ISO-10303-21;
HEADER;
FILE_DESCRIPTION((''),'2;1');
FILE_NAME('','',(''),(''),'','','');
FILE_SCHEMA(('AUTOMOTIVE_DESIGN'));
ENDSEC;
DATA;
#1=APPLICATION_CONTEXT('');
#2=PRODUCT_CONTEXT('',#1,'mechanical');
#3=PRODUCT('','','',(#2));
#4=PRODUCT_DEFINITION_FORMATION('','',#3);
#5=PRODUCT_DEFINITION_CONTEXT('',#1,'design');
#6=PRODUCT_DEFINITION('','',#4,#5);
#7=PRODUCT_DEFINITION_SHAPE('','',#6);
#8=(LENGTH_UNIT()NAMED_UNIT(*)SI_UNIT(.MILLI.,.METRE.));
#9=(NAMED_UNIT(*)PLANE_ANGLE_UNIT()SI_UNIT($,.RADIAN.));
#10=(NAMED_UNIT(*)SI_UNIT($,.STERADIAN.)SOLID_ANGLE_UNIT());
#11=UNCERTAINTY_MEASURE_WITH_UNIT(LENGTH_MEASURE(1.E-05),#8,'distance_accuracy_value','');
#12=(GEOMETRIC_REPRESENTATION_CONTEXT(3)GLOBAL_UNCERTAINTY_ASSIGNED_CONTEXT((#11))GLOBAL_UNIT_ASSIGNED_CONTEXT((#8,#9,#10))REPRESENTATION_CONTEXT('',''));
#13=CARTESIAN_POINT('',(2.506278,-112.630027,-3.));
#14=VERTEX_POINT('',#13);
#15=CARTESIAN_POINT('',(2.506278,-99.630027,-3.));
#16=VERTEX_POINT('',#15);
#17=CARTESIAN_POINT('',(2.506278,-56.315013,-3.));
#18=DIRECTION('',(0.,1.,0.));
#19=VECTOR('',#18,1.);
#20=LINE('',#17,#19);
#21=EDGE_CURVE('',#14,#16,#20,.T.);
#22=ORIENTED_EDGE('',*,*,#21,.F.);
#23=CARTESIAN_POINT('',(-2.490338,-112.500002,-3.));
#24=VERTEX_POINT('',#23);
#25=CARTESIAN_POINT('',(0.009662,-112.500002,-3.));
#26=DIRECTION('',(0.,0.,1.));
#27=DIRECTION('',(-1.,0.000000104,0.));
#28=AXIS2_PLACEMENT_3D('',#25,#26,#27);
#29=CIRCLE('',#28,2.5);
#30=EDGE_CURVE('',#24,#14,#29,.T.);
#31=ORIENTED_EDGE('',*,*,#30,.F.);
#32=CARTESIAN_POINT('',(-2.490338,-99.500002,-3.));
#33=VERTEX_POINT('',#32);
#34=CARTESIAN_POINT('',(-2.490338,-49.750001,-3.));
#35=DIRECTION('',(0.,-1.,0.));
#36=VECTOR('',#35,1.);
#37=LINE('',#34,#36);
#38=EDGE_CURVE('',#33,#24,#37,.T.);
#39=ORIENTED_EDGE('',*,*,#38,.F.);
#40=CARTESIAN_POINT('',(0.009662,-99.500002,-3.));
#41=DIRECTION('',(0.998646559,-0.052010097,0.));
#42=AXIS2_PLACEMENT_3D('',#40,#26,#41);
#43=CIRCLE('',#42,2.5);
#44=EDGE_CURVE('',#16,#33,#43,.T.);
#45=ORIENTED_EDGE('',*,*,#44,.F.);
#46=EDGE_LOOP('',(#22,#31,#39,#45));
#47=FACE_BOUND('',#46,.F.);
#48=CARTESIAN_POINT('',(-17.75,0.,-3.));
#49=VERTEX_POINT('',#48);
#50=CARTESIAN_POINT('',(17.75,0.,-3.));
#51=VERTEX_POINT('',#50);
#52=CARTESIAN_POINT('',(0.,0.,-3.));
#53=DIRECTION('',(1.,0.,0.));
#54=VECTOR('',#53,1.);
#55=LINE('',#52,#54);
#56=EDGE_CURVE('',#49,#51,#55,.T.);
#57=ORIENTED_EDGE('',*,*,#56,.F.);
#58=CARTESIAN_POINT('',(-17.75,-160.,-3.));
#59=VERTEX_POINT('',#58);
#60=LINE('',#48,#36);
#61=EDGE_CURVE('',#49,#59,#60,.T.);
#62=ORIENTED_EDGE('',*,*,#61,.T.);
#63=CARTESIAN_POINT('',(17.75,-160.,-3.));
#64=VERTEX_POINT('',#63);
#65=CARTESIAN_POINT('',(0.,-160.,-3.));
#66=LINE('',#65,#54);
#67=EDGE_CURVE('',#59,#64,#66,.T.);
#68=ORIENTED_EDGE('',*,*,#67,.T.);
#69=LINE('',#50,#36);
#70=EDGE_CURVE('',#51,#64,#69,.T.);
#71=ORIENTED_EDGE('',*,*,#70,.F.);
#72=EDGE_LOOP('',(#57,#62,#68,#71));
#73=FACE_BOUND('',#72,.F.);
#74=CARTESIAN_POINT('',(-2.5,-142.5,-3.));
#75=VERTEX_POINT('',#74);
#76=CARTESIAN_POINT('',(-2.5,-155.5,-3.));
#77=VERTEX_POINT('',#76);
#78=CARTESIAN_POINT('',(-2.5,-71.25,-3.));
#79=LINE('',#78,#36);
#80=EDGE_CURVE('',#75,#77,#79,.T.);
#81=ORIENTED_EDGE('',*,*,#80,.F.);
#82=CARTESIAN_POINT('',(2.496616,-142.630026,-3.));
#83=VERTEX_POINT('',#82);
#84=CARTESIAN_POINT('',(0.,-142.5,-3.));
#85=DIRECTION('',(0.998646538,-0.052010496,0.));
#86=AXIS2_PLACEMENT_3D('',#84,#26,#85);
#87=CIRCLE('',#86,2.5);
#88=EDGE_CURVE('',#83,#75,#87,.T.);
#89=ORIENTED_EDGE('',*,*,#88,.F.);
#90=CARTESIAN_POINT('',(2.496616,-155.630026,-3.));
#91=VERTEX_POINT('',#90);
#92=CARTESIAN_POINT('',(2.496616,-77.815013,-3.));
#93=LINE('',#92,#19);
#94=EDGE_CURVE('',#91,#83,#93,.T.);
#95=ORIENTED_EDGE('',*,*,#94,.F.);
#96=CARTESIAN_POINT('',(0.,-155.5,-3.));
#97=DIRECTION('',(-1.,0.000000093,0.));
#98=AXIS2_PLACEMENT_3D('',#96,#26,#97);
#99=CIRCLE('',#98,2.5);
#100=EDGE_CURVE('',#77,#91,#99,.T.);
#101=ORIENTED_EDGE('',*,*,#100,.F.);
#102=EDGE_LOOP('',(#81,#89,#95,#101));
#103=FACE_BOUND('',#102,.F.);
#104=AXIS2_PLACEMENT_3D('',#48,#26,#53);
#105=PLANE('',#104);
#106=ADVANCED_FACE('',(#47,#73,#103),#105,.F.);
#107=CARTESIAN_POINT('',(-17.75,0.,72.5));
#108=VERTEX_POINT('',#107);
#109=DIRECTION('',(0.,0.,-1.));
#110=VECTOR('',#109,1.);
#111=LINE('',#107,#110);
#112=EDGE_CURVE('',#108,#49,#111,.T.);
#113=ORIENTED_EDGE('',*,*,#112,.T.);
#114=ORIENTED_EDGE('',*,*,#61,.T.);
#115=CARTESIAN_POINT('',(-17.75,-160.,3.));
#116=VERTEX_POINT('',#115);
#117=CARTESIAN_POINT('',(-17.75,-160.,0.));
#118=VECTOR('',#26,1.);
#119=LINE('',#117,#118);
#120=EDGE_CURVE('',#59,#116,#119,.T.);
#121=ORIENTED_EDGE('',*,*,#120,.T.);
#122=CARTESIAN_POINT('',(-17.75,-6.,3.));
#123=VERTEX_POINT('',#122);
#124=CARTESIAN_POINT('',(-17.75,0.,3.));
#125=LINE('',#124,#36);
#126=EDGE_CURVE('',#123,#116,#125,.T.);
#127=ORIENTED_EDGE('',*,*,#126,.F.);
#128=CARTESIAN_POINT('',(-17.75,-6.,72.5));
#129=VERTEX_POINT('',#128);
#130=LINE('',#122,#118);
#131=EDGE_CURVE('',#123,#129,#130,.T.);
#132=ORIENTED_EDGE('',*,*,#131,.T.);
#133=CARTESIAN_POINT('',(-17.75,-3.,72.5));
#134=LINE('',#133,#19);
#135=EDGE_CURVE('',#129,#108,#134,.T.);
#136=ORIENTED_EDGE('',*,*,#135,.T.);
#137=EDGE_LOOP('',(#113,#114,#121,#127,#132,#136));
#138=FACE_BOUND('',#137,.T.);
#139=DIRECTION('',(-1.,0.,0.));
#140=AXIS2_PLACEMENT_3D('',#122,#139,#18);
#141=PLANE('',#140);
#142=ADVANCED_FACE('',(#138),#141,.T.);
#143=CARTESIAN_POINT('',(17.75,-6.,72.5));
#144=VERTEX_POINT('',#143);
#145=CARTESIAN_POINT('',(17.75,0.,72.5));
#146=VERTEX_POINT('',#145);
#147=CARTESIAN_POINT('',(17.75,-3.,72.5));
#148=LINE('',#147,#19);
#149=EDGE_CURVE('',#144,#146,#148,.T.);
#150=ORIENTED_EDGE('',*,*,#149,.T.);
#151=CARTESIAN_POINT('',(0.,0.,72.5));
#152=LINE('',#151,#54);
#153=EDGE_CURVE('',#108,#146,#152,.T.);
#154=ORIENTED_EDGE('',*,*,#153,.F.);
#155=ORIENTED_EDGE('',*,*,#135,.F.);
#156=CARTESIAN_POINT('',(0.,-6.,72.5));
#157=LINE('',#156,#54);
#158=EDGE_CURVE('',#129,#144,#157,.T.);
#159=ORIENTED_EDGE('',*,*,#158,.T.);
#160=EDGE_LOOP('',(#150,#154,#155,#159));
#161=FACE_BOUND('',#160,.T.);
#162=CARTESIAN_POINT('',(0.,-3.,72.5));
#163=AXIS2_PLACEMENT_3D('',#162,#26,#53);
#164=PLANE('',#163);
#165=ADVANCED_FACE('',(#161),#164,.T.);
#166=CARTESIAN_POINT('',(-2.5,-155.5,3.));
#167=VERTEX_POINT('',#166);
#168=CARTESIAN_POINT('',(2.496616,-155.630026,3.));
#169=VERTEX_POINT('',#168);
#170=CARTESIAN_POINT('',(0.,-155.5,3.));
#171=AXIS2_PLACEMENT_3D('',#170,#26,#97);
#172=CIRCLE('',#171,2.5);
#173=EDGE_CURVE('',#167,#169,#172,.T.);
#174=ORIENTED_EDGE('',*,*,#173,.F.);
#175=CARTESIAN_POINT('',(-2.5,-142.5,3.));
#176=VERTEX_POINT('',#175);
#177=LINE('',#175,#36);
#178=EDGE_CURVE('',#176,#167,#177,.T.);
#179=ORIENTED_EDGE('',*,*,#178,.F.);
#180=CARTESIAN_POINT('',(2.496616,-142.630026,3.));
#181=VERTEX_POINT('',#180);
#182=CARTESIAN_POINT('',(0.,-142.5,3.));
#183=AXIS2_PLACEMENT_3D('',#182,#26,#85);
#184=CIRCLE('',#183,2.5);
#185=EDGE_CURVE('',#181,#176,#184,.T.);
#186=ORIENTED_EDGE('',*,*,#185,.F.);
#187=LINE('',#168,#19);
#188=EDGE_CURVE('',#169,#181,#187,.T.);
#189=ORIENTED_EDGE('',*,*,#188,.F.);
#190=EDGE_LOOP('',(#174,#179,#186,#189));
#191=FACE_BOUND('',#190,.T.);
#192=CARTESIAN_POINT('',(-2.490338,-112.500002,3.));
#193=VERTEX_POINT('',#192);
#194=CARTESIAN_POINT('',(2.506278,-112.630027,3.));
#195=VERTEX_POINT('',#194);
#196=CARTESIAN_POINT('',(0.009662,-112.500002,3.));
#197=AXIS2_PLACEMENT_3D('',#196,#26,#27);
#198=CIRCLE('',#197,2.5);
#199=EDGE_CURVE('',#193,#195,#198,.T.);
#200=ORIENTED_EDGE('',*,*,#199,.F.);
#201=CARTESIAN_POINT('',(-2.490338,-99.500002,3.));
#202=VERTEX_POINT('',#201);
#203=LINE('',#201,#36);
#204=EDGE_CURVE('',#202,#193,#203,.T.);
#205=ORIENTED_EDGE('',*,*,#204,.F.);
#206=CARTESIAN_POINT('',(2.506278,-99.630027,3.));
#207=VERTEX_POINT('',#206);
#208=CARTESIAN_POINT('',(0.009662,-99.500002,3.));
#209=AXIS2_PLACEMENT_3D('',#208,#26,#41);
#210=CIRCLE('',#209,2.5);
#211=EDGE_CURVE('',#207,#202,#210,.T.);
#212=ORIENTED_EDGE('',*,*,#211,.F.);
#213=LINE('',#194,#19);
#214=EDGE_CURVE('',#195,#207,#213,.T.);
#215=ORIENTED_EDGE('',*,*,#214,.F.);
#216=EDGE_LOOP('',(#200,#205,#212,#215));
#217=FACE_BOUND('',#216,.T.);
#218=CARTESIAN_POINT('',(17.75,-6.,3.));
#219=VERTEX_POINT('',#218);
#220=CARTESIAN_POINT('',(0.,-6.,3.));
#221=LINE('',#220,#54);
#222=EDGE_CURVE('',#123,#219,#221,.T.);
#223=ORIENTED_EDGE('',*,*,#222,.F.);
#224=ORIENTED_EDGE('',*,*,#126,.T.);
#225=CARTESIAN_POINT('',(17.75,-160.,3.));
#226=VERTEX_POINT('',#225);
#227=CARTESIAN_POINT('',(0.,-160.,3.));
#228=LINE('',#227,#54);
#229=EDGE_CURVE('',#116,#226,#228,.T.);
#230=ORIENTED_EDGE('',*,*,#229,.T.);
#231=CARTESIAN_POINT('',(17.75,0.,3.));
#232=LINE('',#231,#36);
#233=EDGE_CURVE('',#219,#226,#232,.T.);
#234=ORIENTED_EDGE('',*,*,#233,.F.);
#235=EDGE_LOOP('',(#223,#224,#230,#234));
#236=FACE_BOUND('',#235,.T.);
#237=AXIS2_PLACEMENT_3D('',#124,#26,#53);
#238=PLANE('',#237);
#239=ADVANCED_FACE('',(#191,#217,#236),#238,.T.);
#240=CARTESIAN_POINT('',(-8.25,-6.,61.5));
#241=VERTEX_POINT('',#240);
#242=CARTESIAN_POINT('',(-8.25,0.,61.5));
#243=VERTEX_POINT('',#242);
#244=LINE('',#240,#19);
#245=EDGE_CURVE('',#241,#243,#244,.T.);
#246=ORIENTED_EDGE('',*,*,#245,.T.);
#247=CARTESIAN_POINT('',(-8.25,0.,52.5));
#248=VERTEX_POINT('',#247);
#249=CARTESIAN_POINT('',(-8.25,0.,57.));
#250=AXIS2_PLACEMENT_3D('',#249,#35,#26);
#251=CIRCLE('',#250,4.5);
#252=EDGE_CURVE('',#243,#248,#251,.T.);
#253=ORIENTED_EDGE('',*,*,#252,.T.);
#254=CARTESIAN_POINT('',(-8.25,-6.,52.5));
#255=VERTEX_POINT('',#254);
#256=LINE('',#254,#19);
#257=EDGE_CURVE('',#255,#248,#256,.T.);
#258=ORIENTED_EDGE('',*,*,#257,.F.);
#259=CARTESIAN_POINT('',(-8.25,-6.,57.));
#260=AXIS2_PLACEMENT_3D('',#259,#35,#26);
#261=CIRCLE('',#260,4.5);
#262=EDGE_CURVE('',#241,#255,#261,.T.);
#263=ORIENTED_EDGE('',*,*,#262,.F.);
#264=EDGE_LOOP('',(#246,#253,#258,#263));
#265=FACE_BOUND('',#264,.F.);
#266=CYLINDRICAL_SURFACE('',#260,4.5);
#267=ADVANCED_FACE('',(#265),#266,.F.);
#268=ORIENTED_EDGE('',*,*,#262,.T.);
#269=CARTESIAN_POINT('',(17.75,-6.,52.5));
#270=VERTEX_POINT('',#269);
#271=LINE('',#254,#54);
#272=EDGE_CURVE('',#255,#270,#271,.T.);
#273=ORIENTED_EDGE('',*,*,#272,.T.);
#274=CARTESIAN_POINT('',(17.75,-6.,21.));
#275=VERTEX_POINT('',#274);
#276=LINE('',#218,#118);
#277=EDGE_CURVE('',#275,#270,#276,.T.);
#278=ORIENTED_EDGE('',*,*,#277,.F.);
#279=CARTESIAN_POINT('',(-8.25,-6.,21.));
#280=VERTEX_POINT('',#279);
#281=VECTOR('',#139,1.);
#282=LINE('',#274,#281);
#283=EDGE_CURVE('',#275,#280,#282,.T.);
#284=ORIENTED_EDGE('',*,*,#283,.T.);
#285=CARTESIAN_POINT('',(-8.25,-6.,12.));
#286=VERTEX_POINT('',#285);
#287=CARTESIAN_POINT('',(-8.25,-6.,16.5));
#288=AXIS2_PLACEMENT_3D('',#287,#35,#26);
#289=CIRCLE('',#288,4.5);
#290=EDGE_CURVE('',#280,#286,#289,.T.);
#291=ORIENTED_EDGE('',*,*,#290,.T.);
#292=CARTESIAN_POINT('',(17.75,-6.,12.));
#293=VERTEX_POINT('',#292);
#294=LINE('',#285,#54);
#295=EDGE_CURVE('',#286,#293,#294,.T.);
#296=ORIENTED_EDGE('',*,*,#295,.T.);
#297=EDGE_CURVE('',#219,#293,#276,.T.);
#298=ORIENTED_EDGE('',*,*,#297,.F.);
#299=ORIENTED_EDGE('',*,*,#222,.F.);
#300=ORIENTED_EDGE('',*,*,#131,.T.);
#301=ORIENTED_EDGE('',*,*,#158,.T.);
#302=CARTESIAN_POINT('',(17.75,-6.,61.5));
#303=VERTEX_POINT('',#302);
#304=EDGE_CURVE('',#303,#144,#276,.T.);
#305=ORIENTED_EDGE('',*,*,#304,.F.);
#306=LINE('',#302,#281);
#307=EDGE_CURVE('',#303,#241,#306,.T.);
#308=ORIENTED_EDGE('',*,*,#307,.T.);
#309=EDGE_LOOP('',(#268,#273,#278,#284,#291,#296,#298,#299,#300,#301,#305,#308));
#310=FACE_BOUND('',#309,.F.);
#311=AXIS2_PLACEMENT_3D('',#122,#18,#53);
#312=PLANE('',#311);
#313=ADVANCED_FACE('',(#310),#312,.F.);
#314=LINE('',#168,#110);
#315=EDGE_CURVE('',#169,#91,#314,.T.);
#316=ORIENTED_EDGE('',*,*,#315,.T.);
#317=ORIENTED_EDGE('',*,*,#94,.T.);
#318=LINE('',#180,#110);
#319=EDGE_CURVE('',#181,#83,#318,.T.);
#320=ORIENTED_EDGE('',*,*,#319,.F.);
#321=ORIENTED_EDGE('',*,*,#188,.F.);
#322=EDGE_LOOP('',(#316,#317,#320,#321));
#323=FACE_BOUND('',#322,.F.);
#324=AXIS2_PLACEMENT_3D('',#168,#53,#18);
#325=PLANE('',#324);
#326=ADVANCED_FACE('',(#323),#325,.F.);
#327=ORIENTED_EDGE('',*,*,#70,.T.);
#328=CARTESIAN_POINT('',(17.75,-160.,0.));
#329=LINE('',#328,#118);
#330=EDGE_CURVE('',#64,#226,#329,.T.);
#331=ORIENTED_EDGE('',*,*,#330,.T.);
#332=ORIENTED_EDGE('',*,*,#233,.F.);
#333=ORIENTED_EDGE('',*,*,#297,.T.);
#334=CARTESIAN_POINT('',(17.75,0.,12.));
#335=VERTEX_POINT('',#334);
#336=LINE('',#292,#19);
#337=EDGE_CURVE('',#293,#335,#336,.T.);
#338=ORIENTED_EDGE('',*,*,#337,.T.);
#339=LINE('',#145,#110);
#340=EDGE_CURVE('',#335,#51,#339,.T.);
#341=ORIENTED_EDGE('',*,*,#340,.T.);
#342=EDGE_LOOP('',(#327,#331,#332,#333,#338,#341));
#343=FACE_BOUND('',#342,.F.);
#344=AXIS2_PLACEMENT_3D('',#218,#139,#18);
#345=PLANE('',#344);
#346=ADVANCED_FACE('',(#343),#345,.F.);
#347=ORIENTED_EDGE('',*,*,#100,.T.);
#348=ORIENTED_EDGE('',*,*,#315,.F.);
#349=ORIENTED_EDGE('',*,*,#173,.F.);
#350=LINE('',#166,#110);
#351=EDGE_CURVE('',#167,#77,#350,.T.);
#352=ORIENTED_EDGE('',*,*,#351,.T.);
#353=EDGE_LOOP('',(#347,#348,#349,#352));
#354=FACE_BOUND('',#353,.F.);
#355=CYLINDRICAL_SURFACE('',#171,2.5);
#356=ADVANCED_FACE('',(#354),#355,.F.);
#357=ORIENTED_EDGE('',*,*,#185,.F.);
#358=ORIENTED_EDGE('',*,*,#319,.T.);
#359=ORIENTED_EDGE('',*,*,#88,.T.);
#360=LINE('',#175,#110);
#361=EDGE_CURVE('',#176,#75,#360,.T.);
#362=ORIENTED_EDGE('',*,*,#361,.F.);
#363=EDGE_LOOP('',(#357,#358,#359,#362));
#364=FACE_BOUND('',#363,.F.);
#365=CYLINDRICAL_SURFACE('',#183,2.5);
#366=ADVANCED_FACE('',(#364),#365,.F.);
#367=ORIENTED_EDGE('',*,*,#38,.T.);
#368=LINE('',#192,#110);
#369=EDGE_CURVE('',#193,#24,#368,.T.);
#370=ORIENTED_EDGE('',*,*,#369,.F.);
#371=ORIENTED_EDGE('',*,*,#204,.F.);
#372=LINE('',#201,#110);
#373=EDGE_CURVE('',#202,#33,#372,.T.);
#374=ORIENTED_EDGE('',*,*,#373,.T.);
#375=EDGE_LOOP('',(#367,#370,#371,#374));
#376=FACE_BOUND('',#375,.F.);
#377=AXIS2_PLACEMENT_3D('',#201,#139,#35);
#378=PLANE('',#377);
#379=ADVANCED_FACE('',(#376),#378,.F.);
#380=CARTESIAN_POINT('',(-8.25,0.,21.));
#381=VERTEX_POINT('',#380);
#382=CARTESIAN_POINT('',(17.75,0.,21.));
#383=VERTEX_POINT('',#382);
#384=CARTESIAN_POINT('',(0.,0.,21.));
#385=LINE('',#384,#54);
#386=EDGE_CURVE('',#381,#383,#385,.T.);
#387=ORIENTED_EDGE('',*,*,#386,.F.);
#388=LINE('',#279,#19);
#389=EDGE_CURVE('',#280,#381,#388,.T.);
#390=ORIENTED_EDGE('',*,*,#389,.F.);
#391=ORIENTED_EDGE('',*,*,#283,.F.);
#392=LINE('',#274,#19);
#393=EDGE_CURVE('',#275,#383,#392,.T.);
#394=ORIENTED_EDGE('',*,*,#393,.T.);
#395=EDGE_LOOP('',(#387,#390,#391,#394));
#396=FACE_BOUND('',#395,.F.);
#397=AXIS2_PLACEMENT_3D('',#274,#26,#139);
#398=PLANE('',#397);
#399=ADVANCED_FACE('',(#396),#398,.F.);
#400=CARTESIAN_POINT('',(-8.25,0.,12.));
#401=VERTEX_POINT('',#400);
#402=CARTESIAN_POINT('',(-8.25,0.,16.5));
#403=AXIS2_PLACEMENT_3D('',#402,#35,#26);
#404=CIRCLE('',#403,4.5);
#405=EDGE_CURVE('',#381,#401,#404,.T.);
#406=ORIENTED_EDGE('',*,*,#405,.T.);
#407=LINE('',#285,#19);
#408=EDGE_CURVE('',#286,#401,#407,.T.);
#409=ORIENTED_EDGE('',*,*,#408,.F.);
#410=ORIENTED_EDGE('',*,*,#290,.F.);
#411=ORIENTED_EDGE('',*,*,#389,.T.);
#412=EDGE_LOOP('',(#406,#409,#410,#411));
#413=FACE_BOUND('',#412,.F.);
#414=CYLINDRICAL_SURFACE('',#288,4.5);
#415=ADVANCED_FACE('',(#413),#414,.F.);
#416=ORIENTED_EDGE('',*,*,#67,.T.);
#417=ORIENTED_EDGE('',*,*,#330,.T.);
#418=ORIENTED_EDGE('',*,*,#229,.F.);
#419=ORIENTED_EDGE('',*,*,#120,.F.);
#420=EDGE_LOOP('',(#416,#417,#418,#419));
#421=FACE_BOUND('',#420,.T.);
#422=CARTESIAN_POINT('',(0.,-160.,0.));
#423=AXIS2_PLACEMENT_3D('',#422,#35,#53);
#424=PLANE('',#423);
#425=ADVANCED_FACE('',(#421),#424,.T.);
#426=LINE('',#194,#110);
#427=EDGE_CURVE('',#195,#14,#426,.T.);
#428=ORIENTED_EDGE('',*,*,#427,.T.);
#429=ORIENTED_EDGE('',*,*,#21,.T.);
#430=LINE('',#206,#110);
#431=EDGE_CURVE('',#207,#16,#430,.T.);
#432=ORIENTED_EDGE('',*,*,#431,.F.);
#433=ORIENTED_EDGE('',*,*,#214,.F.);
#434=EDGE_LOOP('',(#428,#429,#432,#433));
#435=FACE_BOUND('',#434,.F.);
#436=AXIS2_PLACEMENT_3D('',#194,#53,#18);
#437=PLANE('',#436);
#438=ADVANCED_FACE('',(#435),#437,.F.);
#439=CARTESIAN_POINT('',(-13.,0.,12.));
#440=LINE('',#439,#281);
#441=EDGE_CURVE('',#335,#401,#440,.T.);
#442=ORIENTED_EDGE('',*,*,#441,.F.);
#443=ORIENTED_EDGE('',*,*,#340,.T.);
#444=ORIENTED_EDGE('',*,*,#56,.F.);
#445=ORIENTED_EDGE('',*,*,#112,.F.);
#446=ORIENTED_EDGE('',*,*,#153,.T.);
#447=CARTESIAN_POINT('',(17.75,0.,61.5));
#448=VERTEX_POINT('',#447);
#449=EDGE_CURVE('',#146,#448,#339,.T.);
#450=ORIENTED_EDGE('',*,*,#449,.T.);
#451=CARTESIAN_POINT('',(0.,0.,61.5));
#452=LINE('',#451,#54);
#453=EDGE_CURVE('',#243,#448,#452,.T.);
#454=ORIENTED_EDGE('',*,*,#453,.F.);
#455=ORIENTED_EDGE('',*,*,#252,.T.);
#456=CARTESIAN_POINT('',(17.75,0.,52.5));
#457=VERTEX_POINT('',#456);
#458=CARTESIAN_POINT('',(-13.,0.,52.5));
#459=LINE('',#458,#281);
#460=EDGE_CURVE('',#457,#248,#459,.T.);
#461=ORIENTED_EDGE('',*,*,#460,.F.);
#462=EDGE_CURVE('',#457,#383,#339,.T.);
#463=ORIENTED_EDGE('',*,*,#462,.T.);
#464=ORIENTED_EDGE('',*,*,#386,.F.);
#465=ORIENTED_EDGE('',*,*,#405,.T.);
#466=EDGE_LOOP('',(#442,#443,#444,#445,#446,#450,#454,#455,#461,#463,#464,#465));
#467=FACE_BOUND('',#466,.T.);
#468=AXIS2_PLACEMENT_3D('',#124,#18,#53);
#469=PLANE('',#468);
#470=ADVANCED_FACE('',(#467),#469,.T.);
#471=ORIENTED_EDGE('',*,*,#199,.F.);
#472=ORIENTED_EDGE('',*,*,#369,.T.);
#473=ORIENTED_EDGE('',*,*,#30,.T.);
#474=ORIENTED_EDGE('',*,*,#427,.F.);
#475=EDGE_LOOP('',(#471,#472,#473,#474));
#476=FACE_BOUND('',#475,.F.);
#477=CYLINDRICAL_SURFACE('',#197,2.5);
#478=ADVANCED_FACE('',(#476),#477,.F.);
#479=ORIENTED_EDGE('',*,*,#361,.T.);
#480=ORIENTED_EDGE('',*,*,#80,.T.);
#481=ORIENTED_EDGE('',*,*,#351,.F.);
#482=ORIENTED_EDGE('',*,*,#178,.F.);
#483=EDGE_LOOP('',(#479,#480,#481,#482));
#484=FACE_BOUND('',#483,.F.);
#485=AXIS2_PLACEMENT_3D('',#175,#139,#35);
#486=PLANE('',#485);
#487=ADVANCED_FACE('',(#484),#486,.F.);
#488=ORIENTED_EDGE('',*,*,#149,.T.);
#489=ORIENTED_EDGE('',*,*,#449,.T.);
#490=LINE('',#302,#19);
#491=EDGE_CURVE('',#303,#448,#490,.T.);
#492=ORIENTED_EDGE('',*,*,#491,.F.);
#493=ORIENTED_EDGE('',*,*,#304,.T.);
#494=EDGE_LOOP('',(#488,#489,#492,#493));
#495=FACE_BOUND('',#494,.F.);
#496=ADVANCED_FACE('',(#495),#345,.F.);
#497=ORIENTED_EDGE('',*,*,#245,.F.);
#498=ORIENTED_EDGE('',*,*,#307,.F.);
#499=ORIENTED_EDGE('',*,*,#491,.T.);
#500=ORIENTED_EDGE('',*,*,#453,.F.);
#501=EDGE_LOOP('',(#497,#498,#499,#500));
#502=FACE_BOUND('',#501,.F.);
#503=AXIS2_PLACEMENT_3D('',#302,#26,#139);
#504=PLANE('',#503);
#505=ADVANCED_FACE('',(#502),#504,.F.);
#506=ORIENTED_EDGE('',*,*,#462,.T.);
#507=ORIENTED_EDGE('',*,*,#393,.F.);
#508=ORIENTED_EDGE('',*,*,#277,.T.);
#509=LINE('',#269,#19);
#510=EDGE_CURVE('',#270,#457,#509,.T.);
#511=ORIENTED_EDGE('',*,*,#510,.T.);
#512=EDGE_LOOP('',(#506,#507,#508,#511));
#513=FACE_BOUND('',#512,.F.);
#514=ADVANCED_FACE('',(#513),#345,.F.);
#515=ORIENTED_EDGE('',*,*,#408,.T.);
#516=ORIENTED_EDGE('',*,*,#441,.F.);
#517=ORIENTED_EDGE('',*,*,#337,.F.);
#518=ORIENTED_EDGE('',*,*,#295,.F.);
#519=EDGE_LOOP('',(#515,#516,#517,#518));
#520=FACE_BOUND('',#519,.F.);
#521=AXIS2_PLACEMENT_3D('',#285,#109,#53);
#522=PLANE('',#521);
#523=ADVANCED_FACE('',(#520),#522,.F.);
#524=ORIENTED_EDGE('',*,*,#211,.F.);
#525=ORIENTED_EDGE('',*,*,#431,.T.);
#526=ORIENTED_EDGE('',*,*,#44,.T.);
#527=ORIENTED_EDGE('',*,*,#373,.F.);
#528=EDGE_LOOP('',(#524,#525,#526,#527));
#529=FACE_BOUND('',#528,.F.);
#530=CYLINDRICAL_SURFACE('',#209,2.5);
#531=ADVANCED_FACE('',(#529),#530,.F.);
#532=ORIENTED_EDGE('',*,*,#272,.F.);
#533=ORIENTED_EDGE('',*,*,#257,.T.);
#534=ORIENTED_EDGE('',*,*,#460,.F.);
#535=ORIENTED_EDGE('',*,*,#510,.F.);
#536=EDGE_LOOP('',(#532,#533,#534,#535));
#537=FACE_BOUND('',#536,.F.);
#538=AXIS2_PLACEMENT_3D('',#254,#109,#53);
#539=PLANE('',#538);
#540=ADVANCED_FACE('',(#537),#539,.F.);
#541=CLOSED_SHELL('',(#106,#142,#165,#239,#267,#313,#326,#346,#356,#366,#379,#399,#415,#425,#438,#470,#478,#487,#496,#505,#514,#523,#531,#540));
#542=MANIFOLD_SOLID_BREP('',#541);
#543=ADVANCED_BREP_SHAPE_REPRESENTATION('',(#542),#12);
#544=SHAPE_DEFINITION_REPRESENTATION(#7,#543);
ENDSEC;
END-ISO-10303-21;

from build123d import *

# Parameters (mm, degrees)
F0_W     = 35.5
F0_H     = 6
F1_DEPTH = 160
F2_W     = 35.5
F2_H     = 6
F3_DEPTH = 69.5
F5_DEPTH = 25
F6_DEPTH = 25
F8_DEPTH = 25


with BuildPart() as f1:
    # F0 (on Front) → F1 (new body)
    with BuildSketch(Plane.XZ):
        Rectangle(F0_W, F0_H)
    extrude(amount=F1_DEPTH)

    # F2 (on face) → F3 (join)
    with BuildSketch(Plane.XY.offset(3)):
        with Locations((0, -3)):
            Rectangle(F2_W, F2_H)
    extrude(amount=F3_DEPTH)

    # F4 (on face) → F5 (cut)
    with BuildSketch(Plane.XY.offset(3)):
        with BuildLine():
            Line((2.506278, -112.369976), (2.506278, -99.630027))
            ThreePointArc((2.506278, -99.630027), (0.074696, -97.000848), (-2.490338, -99.500002))
            Line((-2.490338, -99.500002), (-2.490338, -112.500002))
            ThreePointArc((-2.490338, -112.500002), (-0.055373, -114.999156), (2.506278, -112.630027))
            Line((2.506278, -112.630027), (2.506278, -112.369976))
        make_face()
    extrude(amount=-F5_DEPTH, mode=Mode.SUBTRACT)

    # F4 (on face) → F6 (cut)
    with BuildSketch(Plane.XY.offset(3)):
        with BuildLine():
            Line((2.496616, -155.369974), (2.496616, -142.630026))
            ThreePointArc((2.496616, -142.630026), (0.065035, -140.000846), (-2.5, -142.5))
            Line((-2.5, -142.5), (-2.5, -155.5))
            ThreePointArc((-2.5, -155.5), (-0.065035, -157.999154), (2.496616, -155.630026))
            Line((2.496616, -155.630026), (2.496616, -155.369974))
        make_face()
    extrude(amount=-F6_DEPTH, mode=Mode.SUBTRACT)

    # F7 (on face) → F8 (cut)
    with BuildSketch(Plane.XZ.offset(6)):
        with BuildLine():
            Line((-8.25, 52.5), (17.75, 52.5))
            Line((17.75, 52.5), (17.75, 61.5))
            Line((17.75, 61.5), (-8.25, 61.5))
            ThreePointArc((-8.25, 61.5), (-12.75, 57), (-8.25, 52.5))
        make_face()
        with BuildLine():
            Line((17.75, 21), (-8.25, 21))
            ThreePointArc((-8.25, 21), (-12.75, 16.5), (-8.25, 12))
            Line((-8.25, 12), (17.75, 12))
            Line((17.75, 12), (17.75, 21))
        make_face()
    extrude(amount=-F8_DEPTH, mode=Mode.SUBTRACT)


solid = f1.part
